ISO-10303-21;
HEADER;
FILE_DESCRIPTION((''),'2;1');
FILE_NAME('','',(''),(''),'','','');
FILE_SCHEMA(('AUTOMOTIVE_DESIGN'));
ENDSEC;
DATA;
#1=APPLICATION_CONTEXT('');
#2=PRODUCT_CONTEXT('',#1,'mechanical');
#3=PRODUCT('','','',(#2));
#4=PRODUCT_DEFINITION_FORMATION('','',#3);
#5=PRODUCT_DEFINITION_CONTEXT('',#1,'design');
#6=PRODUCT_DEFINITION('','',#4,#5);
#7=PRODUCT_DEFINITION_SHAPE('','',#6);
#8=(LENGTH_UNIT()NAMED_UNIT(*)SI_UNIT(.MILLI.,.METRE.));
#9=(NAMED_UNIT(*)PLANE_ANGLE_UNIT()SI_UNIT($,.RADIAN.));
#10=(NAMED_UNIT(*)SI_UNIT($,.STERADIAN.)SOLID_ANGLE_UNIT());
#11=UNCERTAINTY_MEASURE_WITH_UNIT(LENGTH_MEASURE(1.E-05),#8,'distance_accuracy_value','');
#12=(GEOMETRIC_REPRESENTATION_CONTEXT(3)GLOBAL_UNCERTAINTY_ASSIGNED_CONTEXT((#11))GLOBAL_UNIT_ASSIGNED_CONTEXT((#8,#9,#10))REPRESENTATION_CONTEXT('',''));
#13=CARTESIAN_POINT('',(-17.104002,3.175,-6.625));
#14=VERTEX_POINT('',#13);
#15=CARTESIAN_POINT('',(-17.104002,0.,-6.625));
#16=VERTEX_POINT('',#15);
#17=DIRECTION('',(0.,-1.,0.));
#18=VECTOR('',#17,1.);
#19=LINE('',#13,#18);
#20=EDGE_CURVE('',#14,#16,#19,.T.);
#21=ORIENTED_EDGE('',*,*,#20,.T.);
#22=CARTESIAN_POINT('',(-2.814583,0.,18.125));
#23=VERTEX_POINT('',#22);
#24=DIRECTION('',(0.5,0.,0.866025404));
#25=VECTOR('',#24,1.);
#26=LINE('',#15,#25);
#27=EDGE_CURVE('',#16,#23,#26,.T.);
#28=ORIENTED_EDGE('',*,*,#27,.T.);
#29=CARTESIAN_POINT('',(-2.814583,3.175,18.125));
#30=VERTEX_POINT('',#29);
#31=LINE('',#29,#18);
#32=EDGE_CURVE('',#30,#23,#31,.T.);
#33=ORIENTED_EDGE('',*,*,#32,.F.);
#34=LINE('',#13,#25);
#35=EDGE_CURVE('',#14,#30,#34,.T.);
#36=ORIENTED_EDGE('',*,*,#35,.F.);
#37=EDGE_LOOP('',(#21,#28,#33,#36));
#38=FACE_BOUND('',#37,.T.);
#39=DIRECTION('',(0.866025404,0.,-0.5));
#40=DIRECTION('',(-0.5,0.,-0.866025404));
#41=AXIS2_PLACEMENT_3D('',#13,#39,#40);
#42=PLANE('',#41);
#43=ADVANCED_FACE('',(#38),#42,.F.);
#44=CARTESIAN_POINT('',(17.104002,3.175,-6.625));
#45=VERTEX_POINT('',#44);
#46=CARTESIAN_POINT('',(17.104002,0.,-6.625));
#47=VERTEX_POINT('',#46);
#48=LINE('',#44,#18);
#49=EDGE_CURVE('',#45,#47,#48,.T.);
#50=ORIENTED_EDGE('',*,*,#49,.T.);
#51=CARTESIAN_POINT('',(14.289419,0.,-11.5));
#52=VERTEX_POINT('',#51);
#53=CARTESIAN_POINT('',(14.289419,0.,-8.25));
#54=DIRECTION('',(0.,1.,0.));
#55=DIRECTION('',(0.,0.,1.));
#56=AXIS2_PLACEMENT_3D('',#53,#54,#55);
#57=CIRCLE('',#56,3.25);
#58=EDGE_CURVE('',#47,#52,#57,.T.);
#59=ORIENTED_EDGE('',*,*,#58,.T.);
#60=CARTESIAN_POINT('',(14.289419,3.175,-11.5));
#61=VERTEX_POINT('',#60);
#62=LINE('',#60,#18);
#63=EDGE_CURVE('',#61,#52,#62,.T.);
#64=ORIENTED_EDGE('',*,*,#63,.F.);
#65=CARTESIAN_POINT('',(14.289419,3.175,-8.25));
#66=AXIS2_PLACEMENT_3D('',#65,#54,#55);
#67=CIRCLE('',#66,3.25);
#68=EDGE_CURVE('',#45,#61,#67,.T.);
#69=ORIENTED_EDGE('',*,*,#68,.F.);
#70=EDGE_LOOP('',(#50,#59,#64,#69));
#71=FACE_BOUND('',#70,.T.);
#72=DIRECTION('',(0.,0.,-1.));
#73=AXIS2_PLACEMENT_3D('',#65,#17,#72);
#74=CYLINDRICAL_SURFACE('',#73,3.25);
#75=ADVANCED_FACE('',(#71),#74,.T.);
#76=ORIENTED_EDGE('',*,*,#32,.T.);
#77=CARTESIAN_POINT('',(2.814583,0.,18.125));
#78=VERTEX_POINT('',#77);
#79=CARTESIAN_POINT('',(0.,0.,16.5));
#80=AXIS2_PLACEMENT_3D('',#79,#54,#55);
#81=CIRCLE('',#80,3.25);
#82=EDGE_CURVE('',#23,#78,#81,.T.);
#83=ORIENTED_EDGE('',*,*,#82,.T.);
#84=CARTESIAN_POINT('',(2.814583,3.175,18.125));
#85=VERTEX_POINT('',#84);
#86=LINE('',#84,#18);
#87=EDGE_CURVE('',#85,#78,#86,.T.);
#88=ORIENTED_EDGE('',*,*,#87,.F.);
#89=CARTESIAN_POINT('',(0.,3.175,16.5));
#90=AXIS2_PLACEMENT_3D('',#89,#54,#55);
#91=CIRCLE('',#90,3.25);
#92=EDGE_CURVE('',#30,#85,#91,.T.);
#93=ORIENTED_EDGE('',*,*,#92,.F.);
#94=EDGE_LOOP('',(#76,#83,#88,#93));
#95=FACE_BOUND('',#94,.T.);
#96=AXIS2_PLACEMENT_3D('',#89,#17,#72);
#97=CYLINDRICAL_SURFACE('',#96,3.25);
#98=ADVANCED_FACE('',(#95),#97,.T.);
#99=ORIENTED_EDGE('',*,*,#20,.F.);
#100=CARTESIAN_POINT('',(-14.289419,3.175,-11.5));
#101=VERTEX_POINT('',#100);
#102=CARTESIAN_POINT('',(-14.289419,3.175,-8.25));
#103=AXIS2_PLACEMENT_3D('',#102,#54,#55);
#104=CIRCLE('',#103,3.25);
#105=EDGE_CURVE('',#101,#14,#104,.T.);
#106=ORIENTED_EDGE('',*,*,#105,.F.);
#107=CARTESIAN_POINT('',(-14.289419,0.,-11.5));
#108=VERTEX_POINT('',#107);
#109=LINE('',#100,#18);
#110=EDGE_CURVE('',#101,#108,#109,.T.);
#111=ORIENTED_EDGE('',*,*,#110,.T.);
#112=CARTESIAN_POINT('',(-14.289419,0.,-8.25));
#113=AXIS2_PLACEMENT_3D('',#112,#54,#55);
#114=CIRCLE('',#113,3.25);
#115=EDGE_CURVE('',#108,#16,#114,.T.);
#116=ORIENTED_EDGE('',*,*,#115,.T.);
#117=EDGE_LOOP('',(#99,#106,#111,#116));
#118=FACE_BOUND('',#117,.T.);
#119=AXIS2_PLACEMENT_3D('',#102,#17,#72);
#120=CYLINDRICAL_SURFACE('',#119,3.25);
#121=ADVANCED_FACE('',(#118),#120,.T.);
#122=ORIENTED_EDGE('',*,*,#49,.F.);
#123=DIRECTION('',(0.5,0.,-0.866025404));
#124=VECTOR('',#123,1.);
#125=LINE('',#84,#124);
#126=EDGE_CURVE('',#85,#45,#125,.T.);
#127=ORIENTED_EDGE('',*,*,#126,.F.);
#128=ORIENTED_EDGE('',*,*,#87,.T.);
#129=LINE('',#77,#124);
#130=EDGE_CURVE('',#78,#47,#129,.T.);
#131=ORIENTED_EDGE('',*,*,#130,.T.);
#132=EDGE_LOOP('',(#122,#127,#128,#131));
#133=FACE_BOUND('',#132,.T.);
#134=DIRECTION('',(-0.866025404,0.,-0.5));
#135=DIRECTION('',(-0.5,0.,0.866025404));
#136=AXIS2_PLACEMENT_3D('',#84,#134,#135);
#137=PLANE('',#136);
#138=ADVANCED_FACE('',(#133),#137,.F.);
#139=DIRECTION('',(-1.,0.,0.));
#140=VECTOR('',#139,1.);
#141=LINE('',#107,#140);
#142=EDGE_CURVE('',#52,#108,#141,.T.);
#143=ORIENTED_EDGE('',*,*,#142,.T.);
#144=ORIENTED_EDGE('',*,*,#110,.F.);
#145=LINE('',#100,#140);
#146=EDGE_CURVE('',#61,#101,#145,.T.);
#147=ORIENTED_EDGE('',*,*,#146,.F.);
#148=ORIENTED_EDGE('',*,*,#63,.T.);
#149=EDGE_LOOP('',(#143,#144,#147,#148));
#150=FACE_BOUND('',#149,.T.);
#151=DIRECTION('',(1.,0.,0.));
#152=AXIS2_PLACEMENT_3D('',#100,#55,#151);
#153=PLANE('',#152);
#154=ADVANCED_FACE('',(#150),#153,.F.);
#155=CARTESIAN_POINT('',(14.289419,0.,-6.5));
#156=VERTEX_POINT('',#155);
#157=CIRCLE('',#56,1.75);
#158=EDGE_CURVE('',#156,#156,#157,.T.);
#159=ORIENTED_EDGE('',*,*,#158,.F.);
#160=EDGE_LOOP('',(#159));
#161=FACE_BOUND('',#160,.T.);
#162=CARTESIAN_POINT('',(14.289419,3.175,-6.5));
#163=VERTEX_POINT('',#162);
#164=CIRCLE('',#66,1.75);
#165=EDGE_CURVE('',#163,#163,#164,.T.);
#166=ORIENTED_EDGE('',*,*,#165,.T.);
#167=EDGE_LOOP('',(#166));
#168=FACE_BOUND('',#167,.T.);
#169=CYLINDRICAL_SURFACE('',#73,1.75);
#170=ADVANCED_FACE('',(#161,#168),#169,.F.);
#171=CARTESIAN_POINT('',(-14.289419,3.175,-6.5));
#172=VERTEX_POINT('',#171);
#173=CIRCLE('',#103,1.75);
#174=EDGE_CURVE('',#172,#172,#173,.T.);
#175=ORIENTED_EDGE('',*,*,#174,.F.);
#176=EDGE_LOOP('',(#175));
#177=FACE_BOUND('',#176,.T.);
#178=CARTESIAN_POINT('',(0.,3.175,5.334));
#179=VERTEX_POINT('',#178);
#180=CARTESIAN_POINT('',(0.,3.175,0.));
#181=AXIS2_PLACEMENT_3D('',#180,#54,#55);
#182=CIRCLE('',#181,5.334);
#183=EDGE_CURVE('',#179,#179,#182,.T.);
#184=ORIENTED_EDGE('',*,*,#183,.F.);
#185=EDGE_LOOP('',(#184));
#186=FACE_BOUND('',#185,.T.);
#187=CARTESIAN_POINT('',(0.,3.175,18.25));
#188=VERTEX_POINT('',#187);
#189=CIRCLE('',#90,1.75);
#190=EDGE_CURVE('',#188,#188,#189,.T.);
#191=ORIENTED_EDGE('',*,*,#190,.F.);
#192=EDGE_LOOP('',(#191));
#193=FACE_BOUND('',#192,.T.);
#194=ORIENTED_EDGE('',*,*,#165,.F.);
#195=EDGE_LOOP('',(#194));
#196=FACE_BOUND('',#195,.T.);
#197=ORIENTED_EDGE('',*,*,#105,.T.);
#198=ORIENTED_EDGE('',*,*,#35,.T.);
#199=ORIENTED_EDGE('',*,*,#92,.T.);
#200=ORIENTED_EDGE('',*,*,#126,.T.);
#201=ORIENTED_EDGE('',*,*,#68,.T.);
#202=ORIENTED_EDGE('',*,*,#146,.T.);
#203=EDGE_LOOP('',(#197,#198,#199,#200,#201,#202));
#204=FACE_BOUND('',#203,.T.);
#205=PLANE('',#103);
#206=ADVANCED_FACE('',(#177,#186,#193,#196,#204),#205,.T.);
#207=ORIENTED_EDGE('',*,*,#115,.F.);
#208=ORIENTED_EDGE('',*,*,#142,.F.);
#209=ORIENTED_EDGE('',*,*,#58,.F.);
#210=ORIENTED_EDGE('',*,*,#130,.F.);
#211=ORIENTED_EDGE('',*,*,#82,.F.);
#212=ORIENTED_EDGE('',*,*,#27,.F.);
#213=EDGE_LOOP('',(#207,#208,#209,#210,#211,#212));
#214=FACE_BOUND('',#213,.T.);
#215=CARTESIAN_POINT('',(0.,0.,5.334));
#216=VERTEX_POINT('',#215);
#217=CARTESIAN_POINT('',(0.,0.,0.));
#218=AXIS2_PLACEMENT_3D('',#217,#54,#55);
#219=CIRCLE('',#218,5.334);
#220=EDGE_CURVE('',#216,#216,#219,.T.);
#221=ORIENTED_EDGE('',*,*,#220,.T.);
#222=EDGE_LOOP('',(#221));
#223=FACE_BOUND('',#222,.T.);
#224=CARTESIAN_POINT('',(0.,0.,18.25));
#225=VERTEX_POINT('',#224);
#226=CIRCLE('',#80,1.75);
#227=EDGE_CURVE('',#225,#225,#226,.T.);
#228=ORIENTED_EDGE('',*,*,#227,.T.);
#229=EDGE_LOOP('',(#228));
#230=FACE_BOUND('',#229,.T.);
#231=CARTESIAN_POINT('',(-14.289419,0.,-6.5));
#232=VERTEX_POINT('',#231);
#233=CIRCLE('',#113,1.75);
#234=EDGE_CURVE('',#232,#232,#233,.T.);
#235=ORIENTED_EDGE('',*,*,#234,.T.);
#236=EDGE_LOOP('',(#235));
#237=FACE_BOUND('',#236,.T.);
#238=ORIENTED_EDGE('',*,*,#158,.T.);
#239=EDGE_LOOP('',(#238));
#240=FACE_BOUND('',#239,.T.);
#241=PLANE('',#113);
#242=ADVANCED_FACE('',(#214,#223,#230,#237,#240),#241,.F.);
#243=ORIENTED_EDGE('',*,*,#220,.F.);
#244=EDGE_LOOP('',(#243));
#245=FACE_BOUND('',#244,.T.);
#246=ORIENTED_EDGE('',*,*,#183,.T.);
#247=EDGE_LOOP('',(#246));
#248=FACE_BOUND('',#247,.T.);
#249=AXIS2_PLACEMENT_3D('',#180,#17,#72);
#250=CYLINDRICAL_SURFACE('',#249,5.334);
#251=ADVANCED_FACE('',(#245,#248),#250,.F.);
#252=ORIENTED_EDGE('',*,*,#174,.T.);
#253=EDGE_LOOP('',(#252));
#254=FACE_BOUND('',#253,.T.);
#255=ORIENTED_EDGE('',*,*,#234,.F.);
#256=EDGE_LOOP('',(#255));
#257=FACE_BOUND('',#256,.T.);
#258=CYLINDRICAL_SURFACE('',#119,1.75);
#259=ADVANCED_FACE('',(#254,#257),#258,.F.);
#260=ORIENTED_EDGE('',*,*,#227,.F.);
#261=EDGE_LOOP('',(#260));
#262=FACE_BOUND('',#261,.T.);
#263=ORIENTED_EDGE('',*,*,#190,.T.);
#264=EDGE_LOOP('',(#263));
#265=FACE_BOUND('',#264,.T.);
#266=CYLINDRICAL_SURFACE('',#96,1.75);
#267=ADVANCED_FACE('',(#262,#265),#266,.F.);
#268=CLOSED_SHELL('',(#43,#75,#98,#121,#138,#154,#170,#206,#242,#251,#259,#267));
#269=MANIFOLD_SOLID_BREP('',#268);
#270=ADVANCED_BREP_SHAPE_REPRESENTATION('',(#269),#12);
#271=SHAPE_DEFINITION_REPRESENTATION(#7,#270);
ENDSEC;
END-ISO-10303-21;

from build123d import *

# Parameters (mm, degrees)
SKETCH1_R           = 5.334
SKETCH1_R_2         = 1.75
BOSS_EXTRUDE1_DEPTH = 3.175


with BuildPart() as part:
    # Sketch1 → Boss-Extrude1 (new body)
    with BuildSketch(Plane(origin=(0, 0, 0), x_dir=(1, 0, 0), z_dir=(0, 1, 0))):
        with BuildLine():
            Line((-17.104001725, 6.625), (-2.814582562, -18.125))
            ThreePointArc((-2.814582562, -18.125), (0, -19.75), (2.814582562, -18.125))
            Line((2.814582562, -18.125), (17.104001725, 6.625))
            ThreePointArc((17.104001725, 6.625), (17.104001725, 9.875), (14.289419162, 11.5))
            Line((14.289419162, 11.5), (-14.289419162, 11.5))
            ThreePointArc((-14.289419162, 11.5), (-17.104001725, 9.875), (-17.104001725, 6.625))
        make_face()
        Circle(SKETCH1_R, mode=Mode.SUBTRACT)
        with Locations((-14.289419162, 8.25)):
            Circle(SKETCH1_R_2, mode=Mode.SUBTRACT)
        with Locations((0, -16.5)):
            Circle(SKETCH1_R_2, mode=Mode.SUBTRACT)
        with Locations((14.289419162, 8.25)):
            Circle(SKETCH1_R_2, mode=Mode.SUBTRACT)
    extrude(amount=BOSS_EXTRUDE1_DEPTH)


solid = part.part
